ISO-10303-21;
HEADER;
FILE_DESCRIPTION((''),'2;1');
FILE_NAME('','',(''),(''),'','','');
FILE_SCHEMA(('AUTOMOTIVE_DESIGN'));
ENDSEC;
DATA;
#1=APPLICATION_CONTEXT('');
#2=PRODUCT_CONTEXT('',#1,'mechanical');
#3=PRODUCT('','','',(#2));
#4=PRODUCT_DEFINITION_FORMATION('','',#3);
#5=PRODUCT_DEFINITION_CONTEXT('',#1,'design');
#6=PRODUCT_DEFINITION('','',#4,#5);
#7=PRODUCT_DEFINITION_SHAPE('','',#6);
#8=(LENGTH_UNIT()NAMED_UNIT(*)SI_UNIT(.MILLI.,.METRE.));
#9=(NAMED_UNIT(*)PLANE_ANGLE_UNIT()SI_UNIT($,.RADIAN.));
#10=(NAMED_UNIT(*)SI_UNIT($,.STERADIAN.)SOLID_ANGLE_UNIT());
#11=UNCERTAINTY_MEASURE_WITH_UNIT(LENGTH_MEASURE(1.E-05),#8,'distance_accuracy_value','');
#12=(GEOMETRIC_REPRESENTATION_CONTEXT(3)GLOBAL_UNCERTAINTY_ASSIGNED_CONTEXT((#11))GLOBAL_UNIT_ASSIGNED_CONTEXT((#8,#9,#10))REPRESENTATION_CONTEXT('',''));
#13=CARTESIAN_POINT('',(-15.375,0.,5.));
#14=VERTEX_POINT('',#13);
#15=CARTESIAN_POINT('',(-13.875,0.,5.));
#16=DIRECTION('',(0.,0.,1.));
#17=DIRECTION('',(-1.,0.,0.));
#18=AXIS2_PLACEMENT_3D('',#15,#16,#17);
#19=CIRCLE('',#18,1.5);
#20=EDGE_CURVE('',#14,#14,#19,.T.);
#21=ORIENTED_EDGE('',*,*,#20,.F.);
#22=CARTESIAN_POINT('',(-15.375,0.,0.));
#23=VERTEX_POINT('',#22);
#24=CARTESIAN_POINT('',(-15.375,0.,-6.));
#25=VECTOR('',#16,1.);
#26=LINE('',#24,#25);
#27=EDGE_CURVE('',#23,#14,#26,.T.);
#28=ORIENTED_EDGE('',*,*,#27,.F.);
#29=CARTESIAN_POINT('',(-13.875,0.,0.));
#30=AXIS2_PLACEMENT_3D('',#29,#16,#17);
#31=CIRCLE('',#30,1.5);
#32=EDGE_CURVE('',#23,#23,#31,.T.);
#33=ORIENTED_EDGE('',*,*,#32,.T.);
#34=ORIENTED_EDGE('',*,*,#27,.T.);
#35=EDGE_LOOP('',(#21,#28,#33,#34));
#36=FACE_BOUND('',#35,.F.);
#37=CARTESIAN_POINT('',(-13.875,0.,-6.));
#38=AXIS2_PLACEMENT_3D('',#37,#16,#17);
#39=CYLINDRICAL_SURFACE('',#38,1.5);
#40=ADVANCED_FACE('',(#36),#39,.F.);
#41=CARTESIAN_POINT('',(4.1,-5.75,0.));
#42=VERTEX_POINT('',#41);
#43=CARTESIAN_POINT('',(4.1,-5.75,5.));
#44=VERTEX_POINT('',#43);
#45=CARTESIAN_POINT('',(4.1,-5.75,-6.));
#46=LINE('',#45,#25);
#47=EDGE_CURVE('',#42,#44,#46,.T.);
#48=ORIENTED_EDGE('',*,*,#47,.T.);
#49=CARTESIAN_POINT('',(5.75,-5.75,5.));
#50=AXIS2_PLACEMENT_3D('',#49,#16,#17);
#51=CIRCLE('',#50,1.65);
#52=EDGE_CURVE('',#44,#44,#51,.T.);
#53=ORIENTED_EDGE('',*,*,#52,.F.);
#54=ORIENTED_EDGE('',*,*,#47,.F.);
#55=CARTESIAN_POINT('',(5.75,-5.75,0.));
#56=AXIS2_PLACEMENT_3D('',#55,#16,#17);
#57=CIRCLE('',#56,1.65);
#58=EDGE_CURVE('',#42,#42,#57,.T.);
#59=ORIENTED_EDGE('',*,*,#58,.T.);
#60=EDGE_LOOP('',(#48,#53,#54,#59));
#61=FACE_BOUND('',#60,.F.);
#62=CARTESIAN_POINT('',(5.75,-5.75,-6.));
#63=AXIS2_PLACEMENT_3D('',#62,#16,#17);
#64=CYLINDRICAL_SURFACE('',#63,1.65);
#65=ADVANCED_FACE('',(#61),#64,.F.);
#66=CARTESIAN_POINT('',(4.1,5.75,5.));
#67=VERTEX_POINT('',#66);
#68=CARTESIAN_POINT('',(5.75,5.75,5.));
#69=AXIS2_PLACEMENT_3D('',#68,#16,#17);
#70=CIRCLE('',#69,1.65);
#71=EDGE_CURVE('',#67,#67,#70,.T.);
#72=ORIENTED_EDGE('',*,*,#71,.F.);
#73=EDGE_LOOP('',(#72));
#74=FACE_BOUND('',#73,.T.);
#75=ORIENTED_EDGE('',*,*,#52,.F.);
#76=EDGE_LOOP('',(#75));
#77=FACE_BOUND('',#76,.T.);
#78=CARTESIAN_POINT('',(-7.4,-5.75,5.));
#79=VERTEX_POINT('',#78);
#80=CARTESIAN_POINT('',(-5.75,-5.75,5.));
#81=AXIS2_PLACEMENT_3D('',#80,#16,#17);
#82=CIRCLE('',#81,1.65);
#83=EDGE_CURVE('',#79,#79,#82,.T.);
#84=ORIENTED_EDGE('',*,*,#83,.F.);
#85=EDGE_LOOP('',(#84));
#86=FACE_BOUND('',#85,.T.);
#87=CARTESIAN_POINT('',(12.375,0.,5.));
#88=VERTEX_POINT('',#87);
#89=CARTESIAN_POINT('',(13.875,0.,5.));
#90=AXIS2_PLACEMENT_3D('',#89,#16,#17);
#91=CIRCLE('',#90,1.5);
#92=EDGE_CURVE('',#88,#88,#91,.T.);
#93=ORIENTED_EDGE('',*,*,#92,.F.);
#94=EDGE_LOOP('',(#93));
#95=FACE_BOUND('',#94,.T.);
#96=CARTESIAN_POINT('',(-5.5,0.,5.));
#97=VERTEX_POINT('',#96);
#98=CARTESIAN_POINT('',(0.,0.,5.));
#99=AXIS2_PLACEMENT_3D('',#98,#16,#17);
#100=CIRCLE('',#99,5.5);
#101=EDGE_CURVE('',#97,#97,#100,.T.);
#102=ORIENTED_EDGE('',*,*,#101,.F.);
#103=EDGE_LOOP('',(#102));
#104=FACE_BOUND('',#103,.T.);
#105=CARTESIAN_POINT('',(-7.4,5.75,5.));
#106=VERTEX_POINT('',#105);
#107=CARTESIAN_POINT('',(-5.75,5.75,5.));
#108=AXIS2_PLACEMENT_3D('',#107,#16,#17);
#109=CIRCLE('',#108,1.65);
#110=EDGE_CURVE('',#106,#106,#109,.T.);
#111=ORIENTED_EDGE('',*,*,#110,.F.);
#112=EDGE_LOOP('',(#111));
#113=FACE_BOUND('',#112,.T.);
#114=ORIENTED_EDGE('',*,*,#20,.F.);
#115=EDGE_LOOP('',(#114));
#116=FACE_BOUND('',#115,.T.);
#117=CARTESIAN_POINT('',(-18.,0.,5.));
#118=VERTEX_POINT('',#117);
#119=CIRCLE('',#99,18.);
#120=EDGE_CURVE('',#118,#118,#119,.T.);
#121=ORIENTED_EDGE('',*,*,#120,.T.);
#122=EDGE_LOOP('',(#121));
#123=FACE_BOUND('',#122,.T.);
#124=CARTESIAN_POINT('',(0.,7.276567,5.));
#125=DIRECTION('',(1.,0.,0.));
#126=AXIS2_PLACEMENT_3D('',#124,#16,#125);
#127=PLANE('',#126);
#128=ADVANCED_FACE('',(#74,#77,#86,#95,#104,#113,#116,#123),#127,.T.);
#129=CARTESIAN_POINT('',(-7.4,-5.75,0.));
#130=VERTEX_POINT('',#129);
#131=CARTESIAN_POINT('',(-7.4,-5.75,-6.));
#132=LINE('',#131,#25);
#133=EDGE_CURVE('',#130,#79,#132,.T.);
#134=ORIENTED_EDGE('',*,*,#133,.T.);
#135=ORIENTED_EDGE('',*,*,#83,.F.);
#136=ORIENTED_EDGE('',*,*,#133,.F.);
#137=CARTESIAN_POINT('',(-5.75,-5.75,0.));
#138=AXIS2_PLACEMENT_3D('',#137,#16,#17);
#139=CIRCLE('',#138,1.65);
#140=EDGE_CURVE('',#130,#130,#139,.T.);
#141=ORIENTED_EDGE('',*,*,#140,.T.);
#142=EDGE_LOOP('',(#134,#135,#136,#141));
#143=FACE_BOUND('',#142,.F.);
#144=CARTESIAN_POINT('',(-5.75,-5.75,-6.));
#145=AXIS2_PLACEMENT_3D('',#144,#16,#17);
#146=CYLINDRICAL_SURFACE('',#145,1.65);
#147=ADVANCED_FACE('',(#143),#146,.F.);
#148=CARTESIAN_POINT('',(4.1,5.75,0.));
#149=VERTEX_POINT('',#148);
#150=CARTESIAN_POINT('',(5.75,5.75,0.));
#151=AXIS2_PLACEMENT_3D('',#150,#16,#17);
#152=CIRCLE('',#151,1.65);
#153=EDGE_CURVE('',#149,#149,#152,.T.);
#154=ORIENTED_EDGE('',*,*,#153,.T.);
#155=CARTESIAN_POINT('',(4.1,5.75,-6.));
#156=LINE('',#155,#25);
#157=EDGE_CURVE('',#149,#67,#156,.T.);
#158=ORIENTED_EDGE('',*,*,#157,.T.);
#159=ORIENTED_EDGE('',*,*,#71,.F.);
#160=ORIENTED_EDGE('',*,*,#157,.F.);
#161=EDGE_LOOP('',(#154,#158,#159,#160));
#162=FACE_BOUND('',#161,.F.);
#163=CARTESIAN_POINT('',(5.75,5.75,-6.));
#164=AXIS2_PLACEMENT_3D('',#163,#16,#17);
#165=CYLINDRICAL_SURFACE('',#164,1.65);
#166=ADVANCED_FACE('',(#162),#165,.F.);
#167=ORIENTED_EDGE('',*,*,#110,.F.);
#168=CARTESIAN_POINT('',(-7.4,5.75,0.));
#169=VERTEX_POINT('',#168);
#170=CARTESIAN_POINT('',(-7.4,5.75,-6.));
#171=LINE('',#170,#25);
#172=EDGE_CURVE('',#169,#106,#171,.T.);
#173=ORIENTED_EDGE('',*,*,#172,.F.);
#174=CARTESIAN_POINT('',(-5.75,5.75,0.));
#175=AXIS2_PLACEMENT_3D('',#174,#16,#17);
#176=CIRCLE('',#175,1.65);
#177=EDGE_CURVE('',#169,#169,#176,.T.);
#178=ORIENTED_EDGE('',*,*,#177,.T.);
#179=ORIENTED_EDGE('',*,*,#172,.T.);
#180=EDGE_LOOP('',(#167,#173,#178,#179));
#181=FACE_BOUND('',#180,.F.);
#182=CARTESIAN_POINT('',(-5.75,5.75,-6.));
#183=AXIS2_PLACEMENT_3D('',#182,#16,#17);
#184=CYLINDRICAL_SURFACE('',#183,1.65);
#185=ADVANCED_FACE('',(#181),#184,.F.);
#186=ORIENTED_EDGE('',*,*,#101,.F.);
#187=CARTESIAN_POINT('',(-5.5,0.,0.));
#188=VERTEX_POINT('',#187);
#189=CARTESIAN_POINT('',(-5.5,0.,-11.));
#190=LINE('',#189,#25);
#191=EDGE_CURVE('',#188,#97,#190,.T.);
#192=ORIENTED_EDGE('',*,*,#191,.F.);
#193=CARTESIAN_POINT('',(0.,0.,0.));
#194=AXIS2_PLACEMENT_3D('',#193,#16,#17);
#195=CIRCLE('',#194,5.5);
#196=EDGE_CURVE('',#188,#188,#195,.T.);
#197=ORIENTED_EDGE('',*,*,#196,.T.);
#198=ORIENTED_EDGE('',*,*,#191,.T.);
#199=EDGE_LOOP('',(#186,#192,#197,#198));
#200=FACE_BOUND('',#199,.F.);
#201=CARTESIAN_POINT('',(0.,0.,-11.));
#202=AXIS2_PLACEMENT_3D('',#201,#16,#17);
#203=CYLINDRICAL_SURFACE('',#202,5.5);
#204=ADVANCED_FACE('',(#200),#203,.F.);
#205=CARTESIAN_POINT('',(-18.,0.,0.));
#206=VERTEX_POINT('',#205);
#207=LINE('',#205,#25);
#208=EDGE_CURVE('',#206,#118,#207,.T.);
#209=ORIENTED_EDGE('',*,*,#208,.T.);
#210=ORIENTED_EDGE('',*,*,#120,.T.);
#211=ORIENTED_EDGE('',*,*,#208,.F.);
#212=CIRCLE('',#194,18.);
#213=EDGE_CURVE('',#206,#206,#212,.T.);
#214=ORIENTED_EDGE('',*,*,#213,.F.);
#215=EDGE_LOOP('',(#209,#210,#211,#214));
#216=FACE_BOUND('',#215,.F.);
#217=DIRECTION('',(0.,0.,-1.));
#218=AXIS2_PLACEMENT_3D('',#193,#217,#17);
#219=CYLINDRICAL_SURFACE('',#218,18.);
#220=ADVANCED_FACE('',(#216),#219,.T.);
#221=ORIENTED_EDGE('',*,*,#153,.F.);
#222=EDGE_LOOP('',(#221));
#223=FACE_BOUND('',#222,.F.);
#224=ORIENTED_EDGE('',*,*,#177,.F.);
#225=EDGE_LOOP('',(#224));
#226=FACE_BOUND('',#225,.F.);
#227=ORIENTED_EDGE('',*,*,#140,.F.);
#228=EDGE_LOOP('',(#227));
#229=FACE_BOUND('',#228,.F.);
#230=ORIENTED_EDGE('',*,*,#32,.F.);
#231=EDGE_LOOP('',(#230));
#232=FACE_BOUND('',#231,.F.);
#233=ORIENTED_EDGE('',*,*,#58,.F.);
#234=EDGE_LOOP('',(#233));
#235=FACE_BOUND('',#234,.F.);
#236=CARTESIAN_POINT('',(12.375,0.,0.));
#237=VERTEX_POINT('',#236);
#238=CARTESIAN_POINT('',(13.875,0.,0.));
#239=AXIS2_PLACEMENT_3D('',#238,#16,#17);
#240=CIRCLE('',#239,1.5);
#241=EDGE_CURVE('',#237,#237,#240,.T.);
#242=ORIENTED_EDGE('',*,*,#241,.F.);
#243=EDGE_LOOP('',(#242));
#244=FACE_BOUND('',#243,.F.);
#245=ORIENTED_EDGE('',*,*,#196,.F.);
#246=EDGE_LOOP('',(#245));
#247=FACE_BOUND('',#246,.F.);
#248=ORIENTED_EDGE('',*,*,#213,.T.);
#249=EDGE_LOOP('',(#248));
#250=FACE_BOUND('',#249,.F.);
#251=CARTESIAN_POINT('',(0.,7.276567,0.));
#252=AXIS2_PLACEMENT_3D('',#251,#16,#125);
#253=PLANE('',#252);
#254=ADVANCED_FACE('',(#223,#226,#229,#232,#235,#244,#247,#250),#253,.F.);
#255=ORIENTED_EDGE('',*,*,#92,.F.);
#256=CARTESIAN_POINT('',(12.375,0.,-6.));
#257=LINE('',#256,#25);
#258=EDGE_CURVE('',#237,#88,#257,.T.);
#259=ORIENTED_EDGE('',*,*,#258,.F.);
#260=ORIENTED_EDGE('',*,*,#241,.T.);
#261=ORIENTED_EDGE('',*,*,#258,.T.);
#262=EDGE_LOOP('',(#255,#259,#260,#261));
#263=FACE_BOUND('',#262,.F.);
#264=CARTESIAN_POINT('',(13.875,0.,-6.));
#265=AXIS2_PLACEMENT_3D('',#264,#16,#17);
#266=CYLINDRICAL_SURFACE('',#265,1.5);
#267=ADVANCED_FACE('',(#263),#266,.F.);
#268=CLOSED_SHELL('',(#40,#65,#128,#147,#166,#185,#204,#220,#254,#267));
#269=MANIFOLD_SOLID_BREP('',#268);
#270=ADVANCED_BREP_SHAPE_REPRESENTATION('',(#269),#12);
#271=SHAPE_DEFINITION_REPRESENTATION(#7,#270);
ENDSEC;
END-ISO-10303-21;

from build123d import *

# Parameters (mm, degrees)
F1_DEPTH = 5
F2_D     = 3
F2_DEPTH = 6
F2_TIP   = 0.9012909285
F3_D     = 3.3
F3_DEPTH = 6
F3_TIP   = 0.9914200214
F4_D     = 11
F4_DEPTH = 11
F4_TIP   = 3.3047334047


with BuildPart() as f1:
    # F0 (on Top) → F1 (new body)
    with BuildSketch(Plane.XY):
        with BuildLine():
            Line((9.75, 0), (18, 0))
            ThreePointArc((18, 0), (0, 18), (-18, 0))
            Line((-18, 0), (-9.75, 0))
            ThreePointArc((-9.75, 0), (0, 9.75), (9.75, 0))
        make_face()
        with BuildLine():
            ThreePointArc((-18, 0), (0, -18), (18, 0))
            Line((18, 0), (9.75, 0))
            ThreePointArc((9.75, 0), (0, -9.75), (-9.75, 0))
            Line((-9.75, 0), (-18, 0))
        make_face()
        with BuildLine():
            ThreePointArc((-9.75, 0), (0, -9.75), (9.75, 0))
            ThreePointArc((9.75, 0), (0, 9.75), (-9.75, 0))
        make_face()
    extrude(amount=F1_DEPTH)

    # F2
    with Locations(Plane(origin=(0, 0, 0), x_dir=(1, 0, 0), z_dir=(0, 0, -1))):
        with Locations((13.875, 0), (-13.875, 0)):
            Hole(F2_D / 2, depth=F2_DEPTH)
            with Locations((0, 0, -(F2_DEPTH + F2_TIP / 2))):  # 118° drill point
                Cone(0, F2_D / 2, F2_TIP, mode=Mode.SUBTRACT)

    # F3
    with Locations(Plane(origin=(0, 0, 0), x_dir=(1, 0, 0), z_dir=(0, 0, -1))):
        with Locations((5.75, -5.75), (5.75, 5.75), (-5.75, 5.75), (-5.75, -5.75)):
            Hole(F3_D / 2, depth=F3_DEPTH)
            with Locations((0, 0, -(F3_DEPTH + F3_TIP / 2))):  # 118° drill point
                Cone(0, F3_D / 2, F3_TIP, mode=Mode.SUBTRACT)

    # F4
    with Locations(Plane(origin=(0, 0, 0), x_dir=(1, 0, 0), z_dir=(0, 0, -1))):
        with Locations((0, 0)):
            Hole(F4_D / 2, depth=F4_DEPTH)
            with Locations((0, 0, -(F4_DEPTH + F4_TIP / 2))):  # 118° drill point
                Cone(0, F4_D / 2, F4_TIP, mode=Mode.SUBTRACT)


solid = f1.part
